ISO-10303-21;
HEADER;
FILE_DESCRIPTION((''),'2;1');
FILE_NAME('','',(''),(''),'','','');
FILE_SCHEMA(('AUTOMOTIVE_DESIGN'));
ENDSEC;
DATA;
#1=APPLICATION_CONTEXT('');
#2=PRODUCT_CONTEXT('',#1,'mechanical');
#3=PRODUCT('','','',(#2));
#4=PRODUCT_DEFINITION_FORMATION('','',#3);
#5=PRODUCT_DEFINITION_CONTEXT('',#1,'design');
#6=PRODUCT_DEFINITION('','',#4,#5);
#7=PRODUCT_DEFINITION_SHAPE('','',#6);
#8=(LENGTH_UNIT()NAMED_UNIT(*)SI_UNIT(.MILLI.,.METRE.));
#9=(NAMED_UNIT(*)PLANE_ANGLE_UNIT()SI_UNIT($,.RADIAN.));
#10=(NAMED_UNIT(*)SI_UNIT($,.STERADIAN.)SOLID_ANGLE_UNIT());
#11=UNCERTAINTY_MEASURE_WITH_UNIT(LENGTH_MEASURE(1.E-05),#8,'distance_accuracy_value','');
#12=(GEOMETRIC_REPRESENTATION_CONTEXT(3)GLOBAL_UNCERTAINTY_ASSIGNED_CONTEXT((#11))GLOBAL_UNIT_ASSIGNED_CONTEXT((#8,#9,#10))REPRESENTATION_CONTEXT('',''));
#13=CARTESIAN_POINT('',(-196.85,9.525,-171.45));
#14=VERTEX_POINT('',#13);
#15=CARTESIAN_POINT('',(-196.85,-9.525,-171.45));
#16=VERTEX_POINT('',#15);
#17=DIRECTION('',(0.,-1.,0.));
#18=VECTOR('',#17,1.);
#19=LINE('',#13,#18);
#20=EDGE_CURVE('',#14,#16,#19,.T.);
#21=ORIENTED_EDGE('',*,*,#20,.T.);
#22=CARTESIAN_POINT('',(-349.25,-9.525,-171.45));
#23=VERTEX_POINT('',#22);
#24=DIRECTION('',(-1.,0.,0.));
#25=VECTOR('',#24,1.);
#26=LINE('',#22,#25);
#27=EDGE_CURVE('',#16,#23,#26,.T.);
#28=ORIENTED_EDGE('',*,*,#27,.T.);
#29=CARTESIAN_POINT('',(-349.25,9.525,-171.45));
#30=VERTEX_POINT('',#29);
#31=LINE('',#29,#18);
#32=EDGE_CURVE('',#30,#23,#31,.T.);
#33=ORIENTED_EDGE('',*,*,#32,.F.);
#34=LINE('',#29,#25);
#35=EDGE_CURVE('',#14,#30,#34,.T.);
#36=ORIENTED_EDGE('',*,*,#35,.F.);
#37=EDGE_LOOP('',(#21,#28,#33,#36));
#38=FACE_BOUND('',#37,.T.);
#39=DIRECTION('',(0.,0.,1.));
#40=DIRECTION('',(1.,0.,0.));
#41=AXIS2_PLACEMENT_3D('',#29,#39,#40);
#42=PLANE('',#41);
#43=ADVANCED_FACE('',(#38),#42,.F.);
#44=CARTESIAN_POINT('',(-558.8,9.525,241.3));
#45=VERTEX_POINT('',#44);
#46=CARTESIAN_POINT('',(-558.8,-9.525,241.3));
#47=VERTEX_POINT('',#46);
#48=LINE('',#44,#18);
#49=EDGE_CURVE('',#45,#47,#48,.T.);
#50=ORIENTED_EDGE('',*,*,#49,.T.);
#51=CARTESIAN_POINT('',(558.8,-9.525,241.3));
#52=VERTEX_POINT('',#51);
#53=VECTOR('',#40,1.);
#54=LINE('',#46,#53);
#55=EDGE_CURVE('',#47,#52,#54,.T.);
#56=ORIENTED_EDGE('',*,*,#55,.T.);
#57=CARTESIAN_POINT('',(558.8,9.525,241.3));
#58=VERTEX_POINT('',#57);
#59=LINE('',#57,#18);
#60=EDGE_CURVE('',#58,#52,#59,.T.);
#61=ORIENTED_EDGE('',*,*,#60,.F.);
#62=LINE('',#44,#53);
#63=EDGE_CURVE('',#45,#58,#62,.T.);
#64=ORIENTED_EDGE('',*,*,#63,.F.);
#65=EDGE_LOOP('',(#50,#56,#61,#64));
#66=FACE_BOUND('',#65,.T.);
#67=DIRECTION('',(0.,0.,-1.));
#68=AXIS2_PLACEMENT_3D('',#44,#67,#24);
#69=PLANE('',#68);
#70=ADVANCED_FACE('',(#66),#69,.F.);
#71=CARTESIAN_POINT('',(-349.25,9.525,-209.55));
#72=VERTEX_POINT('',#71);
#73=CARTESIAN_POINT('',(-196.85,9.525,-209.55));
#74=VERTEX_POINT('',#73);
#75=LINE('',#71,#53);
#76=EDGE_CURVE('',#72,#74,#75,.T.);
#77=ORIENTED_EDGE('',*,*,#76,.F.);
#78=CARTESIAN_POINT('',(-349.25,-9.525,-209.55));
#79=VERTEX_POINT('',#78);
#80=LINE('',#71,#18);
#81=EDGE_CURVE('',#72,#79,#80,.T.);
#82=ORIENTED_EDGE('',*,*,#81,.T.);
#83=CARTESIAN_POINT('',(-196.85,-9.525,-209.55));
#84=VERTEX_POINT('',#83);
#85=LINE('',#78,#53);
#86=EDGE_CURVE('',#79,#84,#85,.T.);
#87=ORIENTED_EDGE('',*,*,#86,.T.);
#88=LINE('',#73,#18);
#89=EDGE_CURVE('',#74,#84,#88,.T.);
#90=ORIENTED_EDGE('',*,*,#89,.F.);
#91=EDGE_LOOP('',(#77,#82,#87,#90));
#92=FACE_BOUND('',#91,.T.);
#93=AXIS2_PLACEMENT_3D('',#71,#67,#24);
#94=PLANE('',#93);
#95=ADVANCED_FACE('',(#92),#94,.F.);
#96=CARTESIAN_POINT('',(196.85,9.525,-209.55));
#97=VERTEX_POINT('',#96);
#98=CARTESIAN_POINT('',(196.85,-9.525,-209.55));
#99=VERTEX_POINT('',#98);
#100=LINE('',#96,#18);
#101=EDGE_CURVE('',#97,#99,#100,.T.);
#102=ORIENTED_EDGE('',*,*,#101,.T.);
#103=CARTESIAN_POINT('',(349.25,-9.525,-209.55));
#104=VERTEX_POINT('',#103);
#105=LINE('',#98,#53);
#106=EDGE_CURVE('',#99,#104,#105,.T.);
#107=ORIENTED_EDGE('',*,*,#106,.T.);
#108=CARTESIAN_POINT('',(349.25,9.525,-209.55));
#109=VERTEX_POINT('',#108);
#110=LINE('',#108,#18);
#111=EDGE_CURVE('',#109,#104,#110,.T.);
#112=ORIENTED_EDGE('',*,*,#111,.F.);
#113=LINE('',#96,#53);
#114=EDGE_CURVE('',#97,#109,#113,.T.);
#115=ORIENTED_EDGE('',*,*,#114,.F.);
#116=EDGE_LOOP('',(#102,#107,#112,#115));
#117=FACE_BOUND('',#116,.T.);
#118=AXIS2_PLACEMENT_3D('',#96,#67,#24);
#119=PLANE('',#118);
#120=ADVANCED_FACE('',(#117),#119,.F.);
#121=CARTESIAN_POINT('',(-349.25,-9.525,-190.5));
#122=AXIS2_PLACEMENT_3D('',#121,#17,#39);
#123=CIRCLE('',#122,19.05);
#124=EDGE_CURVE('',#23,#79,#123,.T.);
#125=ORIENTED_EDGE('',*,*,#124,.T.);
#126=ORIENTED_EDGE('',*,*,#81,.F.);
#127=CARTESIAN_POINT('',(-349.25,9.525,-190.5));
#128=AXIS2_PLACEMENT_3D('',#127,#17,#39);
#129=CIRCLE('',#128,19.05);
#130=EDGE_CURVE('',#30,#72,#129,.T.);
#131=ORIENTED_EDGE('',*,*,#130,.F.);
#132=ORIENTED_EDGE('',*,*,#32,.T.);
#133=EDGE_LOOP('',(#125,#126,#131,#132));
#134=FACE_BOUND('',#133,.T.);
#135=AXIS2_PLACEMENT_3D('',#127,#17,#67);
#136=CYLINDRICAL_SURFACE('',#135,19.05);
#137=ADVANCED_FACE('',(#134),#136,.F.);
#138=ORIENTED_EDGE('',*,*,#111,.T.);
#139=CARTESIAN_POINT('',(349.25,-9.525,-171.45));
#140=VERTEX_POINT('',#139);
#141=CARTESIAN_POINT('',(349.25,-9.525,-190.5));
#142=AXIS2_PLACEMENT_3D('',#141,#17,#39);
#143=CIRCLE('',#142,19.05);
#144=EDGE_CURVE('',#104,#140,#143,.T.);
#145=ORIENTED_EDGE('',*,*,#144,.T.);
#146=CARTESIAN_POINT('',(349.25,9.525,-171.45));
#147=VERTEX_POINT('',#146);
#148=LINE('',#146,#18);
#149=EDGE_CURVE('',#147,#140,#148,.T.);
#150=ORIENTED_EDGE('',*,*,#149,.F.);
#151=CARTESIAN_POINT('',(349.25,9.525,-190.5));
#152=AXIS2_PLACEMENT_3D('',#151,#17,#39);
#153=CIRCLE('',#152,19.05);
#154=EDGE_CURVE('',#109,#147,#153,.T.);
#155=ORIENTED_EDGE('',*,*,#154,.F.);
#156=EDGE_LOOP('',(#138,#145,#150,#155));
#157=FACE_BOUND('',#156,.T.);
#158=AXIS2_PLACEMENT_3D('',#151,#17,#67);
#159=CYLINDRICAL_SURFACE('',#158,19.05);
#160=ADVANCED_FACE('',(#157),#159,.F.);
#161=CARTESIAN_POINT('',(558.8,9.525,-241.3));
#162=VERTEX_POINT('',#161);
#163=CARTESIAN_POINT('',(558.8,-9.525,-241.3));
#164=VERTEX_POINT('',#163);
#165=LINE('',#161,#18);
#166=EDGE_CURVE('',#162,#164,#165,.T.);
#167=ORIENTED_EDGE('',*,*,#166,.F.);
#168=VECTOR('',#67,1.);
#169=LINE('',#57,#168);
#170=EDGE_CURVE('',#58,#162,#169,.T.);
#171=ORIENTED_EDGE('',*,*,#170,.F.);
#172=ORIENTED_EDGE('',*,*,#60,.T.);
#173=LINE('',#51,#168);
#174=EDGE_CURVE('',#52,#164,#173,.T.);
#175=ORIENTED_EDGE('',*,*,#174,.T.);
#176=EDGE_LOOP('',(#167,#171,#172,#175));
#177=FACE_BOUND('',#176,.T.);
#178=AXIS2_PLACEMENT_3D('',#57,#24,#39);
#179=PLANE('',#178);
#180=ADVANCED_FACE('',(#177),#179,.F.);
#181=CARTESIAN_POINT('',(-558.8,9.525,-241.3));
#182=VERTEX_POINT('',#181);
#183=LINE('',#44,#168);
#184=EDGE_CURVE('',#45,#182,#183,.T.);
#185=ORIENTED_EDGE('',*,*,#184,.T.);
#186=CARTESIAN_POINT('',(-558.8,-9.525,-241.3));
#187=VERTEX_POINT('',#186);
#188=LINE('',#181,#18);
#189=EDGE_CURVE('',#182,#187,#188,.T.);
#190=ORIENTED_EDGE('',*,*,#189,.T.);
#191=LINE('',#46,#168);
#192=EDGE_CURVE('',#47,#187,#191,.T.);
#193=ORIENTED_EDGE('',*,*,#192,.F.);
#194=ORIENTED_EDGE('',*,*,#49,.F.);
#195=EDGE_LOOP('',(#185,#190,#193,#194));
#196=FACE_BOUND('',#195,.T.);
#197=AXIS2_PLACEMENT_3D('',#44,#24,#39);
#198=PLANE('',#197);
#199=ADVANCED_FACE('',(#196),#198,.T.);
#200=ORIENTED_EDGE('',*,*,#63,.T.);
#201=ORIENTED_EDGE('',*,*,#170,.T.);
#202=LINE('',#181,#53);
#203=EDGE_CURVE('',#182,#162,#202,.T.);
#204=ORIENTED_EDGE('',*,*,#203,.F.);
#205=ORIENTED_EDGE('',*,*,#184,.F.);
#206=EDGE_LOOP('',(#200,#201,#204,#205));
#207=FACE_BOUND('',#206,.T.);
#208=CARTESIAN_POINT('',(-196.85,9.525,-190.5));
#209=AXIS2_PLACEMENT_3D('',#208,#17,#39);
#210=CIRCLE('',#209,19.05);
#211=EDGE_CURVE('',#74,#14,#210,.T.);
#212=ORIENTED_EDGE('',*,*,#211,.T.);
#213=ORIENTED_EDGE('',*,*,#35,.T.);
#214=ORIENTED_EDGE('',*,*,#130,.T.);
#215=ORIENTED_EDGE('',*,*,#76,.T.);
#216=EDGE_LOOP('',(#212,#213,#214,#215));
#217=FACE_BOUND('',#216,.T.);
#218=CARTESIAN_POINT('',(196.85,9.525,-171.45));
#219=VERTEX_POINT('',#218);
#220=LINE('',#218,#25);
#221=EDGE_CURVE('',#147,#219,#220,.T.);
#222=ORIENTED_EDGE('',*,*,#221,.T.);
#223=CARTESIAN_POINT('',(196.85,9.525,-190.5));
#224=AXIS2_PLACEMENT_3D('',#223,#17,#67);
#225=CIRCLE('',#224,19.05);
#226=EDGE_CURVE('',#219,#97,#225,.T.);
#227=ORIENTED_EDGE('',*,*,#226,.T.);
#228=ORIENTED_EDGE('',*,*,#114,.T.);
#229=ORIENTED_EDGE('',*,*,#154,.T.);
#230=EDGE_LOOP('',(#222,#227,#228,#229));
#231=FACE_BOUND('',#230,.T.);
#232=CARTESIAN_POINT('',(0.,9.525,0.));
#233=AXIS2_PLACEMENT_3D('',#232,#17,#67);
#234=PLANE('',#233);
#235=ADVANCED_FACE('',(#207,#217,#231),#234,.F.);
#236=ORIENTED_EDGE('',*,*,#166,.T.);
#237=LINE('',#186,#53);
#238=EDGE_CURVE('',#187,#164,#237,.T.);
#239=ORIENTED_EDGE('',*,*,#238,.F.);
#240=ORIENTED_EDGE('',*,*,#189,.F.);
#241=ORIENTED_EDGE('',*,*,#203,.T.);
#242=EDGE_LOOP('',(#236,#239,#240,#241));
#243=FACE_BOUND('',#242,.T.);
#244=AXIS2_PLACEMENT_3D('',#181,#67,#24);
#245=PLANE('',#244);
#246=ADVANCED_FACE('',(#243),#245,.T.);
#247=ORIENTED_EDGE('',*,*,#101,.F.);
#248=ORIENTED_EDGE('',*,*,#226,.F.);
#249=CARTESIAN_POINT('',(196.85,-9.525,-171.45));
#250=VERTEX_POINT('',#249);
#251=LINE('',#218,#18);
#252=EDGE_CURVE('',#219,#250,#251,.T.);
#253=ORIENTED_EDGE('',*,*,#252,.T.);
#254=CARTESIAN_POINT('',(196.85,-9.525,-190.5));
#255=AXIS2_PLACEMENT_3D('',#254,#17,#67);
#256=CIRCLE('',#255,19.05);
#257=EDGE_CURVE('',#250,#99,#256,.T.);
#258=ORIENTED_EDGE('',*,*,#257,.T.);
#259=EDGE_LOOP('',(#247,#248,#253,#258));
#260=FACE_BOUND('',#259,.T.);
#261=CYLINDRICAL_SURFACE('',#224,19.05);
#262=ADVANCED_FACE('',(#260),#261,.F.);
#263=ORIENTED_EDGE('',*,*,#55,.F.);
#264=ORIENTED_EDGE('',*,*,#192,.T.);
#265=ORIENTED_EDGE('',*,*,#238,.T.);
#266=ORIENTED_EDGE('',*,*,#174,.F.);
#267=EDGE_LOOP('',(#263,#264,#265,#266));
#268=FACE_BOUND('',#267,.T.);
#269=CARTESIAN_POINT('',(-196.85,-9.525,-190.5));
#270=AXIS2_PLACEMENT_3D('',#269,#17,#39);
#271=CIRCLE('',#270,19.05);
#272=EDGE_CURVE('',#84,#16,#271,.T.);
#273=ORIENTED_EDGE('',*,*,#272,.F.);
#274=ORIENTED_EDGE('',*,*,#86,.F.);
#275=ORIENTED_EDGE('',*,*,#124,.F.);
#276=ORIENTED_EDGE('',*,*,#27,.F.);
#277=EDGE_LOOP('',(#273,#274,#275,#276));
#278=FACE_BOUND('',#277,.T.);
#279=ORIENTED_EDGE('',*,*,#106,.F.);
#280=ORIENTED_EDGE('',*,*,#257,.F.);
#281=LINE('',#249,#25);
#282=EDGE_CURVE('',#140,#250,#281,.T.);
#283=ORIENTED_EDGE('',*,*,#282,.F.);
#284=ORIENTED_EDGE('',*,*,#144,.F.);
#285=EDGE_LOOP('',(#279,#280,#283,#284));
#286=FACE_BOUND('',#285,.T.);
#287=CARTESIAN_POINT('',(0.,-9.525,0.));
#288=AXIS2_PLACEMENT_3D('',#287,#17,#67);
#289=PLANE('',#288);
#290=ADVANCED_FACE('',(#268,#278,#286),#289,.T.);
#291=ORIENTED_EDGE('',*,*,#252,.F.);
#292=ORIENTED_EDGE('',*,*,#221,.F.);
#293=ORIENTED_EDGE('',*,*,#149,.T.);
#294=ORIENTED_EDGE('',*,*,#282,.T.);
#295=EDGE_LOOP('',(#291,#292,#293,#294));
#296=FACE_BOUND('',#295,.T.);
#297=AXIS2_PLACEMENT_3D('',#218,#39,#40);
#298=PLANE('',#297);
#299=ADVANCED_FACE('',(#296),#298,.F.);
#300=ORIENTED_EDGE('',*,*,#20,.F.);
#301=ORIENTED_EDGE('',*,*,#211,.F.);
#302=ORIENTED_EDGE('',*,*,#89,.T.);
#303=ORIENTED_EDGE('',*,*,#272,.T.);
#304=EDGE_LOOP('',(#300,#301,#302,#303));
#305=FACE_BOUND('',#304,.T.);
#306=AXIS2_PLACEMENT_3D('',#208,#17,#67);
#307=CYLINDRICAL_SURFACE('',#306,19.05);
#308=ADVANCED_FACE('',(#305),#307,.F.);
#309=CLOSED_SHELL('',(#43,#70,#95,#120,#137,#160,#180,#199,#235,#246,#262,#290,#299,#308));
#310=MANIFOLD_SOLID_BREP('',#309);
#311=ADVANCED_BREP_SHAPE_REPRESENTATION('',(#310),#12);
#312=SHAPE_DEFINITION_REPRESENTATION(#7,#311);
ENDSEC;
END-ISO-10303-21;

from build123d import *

# Parameters (mm, degrees)
SKETCH1_W               = 1117.6
SKETCH1_H               = 482.6
BOSS_EXTRUDE1_DEPTH     = 9.525
CUT_EXTRUDE1_DEPTH      = 609.971290374
CUT_EXTRUDE1_DEPTH_BACK = 609.971290374


with BuildPart() as part:
    # Sketch1 → Boss-Extrude1 (new, symmetric)
    with BuildSketch(Plane(origin=(0, 0, 0), x_dir=(1, 0, 0), z_dir=(0, 1, 0))):
        Rectangle(SKETCH1_W, SKETCH1_H)
    extrude(amount=BOSS_EXTRUDE1_DEPTH, both=True)

    # Sketch2 → Cut-Extrude1 (cut, two sides: drawn at the far end of the back side and taken through both)
    with BuildSketch(Plane.XZ.offset(9.525).offset(-CUT_EXTRUDE1_DEPTH_BACK)):
        with BuildLine():
            Line((-349.25, -171.45), (-196.85, -171.45))
            ThreePointArc((-196.85, -171.45), (-177.8, -190.5), (-196.85, -209.55))
            Line((-196.85, -209.55), (-349.25, -209.55))
            ThreePointArc((-349.25, -209.55), (-368.3, -190.5), (-349.25, -171.45))
        make_face()
        with BuildLine():
            Line((196.85, -171.45), (349.25, -171.45))
            ThreePointArc((349.25, -171.45), (368.3, -190.5), (349.25, -209.55))
            Line((349.25, -209.55), (196.85, -209.55))
            ThreePointArc((196.85, -209.55), (177.8, -190.5), (196.85, -171.45))
        make_face()
    extrude(amount=CUT_EXTRUDE1_DEPTH + CUT_EXTRUDE1_DEPTH_BACK, mode=Mode.SUBTRACT)


solid = part.part
